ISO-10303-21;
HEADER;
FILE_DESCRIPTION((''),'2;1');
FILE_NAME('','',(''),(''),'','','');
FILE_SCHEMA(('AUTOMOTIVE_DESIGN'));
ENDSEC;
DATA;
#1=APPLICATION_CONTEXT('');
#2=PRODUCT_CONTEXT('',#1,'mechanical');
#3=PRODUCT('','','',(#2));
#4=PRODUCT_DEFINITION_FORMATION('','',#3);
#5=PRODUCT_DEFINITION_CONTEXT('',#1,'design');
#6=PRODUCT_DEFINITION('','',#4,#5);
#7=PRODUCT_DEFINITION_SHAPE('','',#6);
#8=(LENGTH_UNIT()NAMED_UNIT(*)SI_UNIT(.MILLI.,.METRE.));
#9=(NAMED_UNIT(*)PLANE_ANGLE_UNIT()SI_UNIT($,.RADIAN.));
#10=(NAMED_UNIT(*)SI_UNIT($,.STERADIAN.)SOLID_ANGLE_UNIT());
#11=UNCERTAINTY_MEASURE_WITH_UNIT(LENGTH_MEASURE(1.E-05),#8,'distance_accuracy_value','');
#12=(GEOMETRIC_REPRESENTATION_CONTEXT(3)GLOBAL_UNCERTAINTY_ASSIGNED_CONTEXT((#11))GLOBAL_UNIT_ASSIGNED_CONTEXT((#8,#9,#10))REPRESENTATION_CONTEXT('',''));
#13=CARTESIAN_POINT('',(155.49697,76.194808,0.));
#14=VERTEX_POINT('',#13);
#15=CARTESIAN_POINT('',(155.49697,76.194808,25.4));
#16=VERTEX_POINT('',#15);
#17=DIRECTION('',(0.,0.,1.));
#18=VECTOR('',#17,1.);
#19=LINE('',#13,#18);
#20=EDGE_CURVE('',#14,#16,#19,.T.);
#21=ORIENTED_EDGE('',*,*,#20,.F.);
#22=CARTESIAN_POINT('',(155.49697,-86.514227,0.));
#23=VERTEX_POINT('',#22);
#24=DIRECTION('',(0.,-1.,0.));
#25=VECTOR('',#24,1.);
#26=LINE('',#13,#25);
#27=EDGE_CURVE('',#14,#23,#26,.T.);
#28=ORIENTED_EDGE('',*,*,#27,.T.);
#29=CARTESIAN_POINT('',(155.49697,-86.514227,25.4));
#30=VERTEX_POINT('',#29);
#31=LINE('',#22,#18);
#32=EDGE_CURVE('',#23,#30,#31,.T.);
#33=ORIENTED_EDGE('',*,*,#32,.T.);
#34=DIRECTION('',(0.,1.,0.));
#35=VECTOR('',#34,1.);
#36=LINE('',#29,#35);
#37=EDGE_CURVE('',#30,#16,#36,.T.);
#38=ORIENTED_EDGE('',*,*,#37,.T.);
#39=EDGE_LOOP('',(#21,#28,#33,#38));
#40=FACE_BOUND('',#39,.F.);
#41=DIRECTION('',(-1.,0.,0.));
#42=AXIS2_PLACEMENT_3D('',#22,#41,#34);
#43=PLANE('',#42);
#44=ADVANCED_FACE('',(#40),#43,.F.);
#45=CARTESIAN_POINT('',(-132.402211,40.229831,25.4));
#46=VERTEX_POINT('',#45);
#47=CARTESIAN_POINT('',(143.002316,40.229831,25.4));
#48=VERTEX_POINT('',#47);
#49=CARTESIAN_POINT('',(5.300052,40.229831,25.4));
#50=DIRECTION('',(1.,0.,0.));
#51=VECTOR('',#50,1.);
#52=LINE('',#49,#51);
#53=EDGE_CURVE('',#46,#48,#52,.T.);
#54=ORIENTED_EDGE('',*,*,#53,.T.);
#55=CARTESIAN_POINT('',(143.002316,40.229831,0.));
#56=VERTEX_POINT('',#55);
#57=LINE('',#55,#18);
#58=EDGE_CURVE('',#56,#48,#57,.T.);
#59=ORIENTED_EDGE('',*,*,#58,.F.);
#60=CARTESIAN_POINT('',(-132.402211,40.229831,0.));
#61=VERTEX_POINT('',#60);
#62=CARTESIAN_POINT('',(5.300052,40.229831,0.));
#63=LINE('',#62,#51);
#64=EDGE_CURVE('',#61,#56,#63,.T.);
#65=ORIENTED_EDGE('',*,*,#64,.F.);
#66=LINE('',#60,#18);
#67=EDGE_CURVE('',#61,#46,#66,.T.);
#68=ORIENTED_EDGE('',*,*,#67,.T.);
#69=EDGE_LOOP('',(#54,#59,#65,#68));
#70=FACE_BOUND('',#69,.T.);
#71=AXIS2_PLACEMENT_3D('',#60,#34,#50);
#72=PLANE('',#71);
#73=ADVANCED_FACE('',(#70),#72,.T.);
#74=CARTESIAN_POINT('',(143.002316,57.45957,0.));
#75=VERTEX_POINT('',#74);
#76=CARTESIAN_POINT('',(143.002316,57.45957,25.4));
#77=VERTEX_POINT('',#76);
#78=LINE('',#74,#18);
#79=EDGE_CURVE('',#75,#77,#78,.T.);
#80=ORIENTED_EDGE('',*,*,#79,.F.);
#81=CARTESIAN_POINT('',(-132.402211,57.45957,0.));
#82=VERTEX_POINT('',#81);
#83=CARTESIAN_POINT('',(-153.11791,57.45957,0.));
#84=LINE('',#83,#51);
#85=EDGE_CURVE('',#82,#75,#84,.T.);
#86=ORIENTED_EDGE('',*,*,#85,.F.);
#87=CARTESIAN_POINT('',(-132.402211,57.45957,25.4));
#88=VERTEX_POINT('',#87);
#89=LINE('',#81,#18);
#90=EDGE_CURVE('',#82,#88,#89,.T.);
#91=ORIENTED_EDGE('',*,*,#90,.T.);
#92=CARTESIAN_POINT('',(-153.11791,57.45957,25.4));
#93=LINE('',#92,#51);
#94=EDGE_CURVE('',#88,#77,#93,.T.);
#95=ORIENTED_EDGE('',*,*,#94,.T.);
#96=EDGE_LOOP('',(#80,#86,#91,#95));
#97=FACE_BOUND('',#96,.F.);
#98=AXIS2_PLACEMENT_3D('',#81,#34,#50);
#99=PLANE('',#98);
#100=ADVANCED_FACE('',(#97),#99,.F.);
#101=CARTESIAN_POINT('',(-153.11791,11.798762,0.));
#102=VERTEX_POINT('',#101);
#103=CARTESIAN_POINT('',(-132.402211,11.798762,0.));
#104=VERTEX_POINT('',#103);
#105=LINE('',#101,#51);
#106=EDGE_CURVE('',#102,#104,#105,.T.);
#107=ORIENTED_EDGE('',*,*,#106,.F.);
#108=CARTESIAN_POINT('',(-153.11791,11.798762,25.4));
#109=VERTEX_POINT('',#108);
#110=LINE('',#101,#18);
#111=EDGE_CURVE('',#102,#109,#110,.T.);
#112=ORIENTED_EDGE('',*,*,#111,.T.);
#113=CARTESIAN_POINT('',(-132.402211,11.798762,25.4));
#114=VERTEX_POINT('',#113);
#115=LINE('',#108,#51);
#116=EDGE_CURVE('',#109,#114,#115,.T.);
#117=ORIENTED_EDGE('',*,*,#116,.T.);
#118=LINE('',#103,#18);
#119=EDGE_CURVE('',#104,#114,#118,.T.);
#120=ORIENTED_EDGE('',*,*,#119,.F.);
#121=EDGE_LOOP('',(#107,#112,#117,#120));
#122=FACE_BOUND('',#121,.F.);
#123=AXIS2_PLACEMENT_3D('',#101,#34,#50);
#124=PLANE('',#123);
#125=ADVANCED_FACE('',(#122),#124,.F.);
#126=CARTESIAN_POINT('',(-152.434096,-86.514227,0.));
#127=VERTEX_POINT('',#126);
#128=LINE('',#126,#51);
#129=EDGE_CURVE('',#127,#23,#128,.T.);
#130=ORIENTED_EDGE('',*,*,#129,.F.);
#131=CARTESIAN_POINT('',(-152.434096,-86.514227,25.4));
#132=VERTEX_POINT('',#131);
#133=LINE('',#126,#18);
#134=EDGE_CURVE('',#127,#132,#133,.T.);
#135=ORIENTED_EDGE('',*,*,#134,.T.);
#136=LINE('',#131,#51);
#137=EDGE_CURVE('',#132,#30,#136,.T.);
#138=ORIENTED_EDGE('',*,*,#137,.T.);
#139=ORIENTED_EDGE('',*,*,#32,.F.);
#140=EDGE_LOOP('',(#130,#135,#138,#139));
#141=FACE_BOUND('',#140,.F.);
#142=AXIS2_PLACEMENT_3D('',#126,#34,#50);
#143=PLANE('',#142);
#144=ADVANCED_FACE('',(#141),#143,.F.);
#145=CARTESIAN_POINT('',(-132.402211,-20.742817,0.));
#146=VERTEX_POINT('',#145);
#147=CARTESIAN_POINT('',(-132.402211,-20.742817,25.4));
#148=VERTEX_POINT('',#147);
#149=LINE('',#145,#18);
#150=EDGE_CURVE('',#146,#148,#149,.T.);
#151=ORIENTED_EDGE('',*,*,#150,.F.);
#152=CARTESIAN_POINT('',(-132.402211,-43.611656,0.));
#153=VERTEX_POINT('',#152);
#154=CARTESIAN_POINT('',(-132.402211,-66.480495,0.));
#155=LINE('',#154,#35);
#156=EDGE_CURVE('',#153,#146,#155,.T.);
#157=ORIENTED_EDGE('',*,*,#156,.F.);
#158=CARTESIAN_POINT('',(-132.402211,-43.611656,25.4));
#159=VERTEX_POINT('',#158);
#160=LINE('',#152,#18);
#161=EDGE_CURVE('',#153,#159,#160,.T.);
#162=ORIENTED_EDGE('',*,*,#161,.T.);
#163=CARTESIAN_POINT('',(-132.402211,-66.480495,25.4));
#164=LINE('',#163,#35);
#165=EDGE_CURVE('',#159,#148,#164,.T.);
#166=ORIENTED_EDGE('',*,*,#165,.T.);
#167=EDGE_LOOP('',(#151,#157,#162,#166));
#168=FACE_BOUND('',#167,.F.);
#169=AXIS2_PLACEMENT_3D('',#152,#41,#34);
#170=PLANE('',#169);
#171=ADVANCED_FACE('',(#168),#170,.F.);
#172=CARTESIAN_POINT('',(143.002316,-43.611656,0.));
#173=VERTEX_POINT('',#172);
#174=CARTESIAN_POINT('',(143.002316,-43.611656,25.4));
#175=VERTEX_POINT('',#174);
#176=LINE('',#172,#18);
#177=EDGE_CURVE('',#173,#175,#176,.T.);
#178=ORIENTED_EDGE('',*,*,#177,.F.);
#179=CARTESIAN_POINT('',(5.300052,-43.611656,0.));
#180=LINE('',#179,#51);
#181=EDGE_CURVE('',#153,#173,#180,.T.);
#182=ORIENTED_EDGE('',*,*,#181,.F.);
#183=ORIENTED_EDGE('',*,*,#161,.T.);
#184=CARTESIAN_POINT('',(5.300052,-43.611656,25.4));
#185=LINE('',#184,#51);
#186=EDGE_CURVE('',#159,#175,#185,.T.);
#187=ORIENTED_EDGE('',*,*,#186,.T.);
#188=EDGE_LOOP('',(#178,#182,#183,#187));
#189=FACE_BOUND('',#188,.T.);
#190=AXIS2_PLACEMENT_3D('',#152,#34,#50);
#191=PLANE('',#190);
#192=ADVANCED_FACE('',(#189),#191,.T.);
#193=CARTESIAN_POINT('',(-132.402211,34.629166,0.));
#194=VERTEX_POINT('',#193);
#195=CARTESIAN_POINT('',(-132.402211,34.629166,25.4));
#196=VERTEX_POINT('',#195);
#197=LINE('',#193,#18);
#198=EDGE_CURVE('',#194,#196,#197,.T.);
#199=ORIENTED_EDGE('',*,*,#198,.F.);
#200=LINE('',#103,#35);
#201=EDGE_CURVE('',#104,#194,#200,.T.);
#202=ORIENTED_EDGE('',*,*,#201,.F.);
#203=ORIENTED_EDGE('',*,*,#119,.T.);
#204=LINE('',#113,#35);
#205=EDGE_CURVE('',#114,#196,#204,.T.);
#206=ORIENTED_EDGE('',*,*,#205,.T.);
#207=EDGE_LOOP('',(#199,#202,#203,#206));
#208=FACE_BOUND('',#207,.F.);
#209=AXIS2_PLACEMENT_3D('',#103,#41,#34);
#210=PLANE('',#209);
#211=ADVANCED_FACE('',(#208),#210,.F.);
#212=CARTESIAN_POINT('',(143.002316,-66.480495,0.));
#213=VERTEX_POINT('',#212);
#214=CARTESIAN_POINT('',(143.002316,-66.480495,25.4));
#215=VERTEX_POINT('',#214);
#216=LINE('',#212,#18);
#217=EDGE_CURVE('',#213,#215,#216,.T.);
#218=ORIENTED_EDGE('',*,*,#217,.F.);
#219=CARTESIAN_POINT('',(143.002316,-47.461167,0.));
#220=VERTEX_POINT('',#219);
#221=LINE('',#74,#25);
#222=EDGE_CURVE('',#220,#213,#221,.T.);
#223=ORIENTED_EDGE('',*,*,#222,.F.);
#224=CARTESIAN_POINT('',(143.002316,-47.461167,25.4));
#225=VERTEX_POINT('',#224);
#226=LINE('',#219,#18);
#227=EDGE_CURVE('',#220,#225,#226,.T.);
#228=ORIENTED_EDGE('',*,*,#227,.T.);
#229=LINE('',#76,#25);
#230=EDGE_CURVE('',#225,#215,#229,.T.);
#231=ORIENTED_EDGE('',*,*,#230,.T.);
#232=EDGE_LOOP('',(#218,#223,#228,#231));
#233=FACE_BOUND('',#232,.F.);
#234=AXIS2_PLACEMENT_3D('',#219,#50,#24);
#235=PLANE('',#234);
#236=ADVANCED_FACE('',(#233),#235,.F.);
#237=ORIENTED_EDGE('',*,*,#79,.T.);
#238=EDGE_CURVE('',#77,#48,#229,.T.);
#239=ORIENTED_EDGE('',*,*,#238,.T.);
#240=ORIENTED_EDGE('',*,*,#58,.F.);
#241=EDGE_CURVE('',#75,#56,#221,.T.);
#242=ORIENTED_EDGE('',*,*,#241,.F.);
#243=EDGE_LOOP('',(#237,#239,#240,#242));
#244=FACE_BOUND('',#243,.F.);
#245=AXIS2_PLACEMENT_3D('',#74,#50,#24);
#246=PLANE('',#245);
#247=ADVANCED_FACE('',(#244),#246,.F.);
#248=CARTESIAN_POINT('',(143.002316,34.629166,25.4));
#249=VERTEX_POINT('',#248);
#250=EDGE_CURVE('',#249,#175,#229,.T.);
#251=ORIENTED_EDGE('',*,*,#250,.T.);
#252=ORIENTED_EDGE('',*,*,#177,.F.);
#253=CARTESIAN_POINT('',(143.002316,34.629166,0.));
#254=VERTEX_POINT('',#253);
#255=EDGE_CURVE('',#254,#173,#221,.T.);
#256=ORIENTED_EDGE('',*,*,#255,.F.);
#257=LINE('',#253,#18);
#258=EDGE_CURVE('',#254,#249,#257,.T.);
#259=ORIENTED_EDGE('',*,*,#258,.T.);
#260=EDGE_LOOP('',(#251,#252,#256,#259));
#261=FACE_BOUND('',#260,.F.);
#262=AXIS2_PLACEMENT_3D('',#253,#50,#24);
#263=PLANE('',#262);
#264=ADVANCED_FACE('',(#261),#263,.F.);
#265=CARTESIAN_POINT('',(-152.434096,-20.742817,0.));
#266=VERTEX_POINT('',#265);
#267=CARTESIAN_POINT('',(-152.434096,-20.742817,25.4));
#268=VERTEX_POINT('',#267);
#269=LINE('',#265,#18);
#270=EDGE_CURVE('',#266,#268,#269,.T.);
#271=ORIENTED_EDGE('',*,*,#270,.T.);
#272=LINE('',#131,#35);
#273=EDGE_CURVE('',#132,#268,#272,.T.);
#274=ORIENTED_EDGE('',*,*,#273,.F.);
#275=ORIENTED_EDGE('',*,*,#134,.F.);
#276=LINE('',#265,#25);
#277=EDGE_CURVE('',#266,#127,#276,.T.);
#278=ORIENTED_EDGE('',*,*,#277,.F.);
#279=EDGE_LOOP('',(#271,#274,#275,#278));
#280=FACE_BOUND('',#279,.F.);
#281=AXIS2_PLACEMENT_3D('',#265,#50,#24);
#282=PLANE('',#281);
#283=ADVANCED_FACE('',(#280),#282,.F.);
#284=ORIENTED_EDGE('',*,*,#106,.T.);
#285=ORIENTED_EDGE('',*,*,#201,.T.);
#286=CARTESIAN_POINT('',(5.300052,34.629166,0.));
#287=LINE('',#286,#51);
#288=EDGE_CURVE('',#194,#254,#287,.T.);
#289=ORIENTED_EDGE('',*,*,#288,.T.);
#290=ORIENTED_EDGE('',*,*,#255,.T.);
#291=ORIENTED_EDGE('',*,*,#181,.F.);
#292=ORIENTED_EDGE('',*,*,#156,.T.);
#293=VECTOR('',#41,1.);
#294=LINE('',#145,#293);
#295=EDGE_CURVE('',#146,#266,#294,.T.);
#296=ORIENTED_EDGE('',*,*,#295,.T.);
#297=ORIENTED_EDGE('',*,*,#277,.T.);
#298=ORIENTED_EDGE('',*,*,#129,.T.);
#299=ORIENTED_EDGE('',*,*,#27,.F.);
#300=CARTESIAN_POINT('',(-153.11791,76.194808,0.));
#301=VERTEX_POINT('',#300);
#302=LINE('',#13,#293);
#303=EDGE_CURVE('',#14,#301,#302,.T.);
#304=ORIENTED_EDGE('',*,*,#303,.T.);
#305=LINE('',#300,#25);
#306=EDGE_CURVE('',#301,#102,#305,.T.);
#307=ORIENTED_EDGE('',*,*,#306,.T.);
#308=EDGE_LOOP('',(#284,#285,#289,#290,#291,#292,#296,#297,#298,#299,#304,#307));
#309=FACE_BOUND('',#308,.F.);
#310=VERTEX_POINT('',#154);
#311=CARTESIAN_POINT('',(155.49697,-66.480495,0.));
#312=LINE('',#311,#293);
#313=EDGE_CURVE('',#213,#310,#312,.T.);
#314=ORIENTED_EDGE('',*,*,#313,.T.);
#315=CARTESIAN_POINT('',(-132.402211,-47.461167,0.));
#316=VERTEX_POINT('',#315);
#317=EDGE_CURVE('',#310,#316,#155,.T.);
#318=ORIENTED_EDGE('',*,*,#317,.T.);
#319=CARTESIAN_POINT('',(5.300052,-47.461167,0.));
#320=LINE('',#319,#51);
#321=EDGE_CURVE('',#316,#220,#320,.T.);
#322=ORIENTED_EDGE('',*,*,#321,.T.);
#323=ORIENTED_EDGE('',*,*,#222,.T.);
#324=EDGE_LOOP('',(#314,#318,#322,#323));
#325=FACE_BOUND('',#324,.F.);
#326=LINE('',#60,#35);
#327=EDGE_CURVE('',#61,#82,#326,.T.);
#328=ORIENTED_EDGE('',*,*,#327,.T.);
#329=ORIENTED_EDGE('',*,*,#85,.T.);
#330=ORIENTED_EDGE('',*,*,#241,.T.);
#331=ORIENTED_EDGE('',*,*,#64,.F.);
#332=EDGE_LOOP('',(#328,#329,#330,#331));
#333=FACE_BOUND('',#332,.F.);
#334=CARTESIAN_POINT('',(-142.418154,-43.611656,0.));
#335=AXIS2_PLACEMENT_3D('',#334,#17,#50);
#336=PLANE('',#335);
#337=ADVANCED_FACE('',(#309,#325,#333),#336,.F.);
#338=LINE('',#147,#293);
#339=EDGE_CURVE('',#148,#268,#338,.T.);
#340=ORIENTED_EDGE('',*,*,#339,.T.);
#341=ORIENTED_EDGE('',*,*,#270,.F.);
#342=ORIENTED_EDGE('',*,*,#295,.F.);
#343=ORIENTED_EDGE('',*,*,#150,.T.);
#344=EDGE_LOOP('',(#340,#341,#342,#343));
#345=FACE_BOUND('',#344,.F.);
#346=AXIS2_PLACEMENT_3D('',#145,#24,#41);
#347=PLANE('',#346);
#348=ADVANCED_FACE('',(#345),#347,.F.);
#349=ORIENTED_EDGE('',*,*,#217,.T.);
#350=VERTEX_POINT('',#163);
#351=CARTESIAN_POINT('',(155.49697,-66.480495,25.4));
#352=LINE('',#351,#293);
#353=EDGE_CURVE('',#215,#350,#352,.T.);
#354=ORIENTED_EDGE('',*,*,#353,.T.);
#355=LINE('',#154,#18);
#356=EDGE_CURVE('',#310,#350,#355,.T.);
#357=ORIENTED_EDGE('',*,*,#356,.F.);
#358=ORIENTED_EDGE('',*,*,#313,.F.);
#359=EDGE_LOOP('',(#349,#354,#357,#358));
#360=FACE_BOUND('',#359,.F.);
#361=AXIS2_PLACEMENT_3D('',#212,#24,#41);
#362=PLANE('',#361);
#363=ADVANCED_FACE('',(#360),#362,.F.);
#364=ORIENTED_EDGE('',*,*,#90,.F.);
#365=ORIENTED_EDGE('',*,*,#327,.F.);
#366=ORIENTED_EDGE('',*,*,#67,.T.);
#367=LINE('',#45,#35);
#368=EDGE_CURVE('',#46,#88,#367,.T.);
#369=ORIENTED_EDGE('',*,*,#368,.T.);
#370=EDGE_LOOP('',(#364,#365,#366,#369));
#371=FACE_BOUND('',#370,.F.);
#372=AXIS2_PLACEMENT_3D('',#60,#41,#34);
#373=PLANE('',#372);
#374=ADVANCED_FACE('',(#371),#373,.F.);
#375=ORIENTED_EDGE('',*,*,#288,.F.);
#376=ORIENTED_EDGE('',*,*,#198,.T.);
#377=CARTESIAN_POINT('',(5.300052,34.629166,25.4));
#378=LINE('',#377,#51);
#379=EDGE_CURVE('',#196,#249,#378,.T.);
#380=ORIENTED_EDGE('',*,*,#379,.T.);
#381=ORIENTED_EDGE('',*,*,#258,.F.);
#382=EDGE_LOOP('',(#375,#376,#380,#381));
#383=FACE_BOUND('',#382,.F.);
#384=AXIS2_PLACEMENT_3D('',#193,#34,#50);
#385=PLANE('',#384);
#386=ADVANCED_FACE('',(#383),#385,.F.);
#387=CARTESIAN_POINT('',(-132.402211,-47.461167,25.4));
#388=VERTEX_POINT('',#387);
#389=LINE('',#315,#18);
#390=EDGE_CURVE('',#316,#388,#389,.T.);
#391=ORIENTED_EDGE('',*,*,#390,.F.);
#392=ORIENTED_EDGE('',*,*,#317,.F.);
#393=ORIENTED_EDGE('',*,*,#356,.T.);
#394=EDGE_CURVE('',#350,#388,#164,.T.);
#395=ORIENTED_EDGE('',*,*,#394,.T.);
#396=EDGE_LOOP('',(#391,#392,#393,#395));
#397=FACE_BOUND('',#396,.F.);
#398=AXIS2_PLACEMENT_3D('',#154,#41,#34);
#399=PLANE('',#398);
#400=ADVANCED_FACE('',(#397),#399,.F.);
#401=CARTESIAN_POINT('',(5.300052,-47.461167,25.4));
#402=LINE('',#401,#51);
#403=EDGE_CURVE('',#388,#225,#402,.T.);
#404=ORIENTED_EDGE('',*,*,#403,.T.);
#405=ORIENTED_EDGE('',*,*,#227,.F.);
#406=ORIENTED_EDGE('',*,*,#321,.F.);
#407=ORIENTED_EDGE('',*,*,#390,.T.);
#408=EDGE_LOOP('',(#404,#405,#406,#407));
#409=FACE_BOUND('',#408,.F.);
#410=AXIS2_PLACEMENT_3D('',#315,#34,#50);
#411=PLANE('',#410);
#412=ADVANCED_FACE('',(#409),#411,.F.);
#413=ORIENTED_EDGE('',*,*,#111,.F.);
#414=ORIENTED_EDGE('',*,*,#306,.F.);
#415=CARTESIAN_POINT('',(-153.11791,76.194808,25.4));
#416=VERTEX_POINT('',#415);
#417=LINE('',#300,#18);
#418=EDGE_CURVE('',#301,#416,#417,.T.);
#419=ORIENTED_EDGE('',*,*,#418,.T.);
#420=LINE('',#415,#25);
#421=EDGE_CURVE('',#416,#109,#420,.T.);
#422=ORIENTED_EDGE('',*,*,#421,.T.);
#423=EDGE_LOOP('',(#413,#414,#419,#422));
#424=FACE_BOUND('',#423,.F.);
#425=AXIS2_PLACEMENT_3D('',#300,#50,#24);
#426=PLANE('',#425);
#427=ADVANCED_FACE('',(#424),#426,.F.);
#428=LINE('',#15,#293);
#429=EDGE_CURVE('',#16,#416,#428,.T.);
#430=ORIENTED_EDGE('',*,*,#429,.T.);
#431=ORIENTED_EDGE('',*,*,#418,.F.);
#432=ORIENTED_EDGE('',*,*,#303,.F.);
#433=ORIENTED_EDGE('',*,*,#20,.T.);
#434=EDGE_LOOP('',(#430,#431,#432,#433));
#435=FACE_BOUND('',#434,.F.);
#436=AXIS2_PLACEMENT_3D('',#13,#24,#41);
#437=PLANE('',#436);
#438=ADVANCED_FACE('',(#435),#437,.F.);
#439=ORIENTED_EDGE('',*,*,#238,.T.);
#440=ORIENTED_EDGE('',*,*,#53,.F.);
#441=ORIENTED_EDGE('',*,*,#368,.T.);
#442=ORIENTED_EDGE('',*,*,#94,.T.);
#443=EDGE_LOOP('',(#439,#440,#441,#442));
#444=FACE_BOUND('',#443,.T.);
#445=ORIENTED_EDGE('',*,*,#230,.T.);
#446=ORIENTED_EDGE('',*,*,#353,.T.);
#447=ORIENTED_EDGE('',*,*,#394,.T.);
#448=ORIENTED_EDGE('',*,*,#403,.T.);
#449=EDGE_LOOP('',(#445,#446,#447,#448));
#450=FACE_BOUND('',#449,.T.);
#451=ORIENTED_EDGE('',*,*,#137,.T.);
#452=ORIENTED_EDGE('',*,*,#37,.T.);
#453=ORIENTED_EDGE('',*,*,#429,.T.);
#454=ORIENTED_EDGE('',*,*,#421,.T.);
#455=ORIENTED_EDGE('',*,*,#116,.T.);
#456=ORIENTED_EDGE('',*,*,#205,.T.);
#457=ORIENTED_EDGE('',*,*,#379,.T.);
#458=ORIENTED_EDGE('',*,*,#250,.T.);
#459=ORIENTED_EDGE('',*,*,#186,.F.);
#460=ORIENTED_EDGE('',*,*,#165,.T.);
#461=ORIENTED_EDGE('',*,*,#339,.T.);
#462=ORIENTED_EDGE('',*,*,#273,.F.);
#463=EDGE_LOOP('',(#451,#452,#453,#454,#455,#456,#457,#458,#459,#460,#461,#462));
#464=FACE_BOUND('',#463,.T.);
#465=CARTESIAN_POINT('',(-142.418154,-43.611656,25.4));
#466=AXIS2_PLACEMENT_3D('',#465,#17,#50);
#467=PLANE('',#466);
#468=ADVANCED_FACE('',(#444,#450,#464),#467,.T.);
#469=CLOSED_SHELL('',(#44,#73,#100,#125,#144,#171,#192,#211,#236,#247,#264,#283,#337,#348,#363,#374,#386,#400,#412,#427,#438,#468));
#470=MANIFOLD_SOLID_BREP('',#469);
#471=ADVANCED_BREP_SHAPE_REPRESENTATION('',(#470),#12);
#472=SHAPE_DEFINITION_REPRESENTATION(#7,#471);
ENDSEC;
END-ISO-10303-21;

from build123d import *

# Parameters (mm, degrees)
F1_DEPTH = 25.4
F0_W     = 275.4045277834
F0_H     = 3.8495110348
F0_H_2   = 5.6006647646
F2_DEPTH = 25.4


with BuildPart() as f1:
    # F0 (on Top) → F1 (new body)
    with BuildSketch(Plane.XY):
        Polygon((-132.4022114277, -66.4804950356), (-152.4340957403, -66.4804950356), (-152.4340957403, -86.5142270923), (155.4969698191, -86.5142270923), (155.4969698191, -66.4804950356), (143.0023163557, -66.4804950356), align=None)
    extrude(amount=F1_DEPTH)

    # F0 (on Top) → F2 (join)
    with BuildSketch(Plane.XY):
        Polygon((-152.4340957403, -20.7428168505), (-152.4340957403, -66.4804950356), (-132.4022114277, -66.4804950356), (-132.4022114277, -61.8479698896), (-132.4022114277, -51.5716820955), (-132.4022114277, -47.4611669779), (-132.4022114277, -43.6116559431), (-132.4022114277, -20.7428168505), align=None)
        Polygon((-132.4022114277, -66.4804950356), (-152.4340957403, -66.4804950356), (-152.4340957403, -86.5142270923), (155.4969698191, -86.5142270923), (155.4969698191, -66.4804950356), (143.0023163557, -66.4804950356), align=None)
        Polygon((143.0023163557, -61.8479698896), (143.0023163557, -66.4804950356), (155.4969698191, -66.4804950356), (155.4969698191, 57.4595704675), (143.0023163557, 57.4595704675), (143.0023163557, 40.2298308909), (143.0023163557, 34.6291661263), (143.0023163557, -43.6116559431), (143.0023163557, -47.4611669779), (143.0023163557, -51.5716820955), align=None)
        with Locations((5.300052464, -45.5364114605)):
            Rectangle(F0_W, F0_H)
        Polygon((143.0023163557, 57.4595704675), (155.4969698191, 57.4595704675), (155.4969698191, 76.1948078871), (-153.1179100275, 76.1948078871), (-153.1179100275, 57.4595704675), (-132.4022114277, 57.4595704675), align=None)
        with Locations((5.300052464, 37.4294985086)):
            Rectangle(F0_W, F0_H_2)
        Polygon((-132.4022114277, 40.2298308909), (-132.4022114277, 57.4595704675), (-153.1179100275, 57.4595704675), (-153.1179100275, 37.8320254385), (-153.1179100275, 11.798761785), (-132.4022114277, 11.798761785), (-132.4022114277, 34.6291661263), align=None)
    extrude(amount=F2_DEPTH)


solid = f1.part
